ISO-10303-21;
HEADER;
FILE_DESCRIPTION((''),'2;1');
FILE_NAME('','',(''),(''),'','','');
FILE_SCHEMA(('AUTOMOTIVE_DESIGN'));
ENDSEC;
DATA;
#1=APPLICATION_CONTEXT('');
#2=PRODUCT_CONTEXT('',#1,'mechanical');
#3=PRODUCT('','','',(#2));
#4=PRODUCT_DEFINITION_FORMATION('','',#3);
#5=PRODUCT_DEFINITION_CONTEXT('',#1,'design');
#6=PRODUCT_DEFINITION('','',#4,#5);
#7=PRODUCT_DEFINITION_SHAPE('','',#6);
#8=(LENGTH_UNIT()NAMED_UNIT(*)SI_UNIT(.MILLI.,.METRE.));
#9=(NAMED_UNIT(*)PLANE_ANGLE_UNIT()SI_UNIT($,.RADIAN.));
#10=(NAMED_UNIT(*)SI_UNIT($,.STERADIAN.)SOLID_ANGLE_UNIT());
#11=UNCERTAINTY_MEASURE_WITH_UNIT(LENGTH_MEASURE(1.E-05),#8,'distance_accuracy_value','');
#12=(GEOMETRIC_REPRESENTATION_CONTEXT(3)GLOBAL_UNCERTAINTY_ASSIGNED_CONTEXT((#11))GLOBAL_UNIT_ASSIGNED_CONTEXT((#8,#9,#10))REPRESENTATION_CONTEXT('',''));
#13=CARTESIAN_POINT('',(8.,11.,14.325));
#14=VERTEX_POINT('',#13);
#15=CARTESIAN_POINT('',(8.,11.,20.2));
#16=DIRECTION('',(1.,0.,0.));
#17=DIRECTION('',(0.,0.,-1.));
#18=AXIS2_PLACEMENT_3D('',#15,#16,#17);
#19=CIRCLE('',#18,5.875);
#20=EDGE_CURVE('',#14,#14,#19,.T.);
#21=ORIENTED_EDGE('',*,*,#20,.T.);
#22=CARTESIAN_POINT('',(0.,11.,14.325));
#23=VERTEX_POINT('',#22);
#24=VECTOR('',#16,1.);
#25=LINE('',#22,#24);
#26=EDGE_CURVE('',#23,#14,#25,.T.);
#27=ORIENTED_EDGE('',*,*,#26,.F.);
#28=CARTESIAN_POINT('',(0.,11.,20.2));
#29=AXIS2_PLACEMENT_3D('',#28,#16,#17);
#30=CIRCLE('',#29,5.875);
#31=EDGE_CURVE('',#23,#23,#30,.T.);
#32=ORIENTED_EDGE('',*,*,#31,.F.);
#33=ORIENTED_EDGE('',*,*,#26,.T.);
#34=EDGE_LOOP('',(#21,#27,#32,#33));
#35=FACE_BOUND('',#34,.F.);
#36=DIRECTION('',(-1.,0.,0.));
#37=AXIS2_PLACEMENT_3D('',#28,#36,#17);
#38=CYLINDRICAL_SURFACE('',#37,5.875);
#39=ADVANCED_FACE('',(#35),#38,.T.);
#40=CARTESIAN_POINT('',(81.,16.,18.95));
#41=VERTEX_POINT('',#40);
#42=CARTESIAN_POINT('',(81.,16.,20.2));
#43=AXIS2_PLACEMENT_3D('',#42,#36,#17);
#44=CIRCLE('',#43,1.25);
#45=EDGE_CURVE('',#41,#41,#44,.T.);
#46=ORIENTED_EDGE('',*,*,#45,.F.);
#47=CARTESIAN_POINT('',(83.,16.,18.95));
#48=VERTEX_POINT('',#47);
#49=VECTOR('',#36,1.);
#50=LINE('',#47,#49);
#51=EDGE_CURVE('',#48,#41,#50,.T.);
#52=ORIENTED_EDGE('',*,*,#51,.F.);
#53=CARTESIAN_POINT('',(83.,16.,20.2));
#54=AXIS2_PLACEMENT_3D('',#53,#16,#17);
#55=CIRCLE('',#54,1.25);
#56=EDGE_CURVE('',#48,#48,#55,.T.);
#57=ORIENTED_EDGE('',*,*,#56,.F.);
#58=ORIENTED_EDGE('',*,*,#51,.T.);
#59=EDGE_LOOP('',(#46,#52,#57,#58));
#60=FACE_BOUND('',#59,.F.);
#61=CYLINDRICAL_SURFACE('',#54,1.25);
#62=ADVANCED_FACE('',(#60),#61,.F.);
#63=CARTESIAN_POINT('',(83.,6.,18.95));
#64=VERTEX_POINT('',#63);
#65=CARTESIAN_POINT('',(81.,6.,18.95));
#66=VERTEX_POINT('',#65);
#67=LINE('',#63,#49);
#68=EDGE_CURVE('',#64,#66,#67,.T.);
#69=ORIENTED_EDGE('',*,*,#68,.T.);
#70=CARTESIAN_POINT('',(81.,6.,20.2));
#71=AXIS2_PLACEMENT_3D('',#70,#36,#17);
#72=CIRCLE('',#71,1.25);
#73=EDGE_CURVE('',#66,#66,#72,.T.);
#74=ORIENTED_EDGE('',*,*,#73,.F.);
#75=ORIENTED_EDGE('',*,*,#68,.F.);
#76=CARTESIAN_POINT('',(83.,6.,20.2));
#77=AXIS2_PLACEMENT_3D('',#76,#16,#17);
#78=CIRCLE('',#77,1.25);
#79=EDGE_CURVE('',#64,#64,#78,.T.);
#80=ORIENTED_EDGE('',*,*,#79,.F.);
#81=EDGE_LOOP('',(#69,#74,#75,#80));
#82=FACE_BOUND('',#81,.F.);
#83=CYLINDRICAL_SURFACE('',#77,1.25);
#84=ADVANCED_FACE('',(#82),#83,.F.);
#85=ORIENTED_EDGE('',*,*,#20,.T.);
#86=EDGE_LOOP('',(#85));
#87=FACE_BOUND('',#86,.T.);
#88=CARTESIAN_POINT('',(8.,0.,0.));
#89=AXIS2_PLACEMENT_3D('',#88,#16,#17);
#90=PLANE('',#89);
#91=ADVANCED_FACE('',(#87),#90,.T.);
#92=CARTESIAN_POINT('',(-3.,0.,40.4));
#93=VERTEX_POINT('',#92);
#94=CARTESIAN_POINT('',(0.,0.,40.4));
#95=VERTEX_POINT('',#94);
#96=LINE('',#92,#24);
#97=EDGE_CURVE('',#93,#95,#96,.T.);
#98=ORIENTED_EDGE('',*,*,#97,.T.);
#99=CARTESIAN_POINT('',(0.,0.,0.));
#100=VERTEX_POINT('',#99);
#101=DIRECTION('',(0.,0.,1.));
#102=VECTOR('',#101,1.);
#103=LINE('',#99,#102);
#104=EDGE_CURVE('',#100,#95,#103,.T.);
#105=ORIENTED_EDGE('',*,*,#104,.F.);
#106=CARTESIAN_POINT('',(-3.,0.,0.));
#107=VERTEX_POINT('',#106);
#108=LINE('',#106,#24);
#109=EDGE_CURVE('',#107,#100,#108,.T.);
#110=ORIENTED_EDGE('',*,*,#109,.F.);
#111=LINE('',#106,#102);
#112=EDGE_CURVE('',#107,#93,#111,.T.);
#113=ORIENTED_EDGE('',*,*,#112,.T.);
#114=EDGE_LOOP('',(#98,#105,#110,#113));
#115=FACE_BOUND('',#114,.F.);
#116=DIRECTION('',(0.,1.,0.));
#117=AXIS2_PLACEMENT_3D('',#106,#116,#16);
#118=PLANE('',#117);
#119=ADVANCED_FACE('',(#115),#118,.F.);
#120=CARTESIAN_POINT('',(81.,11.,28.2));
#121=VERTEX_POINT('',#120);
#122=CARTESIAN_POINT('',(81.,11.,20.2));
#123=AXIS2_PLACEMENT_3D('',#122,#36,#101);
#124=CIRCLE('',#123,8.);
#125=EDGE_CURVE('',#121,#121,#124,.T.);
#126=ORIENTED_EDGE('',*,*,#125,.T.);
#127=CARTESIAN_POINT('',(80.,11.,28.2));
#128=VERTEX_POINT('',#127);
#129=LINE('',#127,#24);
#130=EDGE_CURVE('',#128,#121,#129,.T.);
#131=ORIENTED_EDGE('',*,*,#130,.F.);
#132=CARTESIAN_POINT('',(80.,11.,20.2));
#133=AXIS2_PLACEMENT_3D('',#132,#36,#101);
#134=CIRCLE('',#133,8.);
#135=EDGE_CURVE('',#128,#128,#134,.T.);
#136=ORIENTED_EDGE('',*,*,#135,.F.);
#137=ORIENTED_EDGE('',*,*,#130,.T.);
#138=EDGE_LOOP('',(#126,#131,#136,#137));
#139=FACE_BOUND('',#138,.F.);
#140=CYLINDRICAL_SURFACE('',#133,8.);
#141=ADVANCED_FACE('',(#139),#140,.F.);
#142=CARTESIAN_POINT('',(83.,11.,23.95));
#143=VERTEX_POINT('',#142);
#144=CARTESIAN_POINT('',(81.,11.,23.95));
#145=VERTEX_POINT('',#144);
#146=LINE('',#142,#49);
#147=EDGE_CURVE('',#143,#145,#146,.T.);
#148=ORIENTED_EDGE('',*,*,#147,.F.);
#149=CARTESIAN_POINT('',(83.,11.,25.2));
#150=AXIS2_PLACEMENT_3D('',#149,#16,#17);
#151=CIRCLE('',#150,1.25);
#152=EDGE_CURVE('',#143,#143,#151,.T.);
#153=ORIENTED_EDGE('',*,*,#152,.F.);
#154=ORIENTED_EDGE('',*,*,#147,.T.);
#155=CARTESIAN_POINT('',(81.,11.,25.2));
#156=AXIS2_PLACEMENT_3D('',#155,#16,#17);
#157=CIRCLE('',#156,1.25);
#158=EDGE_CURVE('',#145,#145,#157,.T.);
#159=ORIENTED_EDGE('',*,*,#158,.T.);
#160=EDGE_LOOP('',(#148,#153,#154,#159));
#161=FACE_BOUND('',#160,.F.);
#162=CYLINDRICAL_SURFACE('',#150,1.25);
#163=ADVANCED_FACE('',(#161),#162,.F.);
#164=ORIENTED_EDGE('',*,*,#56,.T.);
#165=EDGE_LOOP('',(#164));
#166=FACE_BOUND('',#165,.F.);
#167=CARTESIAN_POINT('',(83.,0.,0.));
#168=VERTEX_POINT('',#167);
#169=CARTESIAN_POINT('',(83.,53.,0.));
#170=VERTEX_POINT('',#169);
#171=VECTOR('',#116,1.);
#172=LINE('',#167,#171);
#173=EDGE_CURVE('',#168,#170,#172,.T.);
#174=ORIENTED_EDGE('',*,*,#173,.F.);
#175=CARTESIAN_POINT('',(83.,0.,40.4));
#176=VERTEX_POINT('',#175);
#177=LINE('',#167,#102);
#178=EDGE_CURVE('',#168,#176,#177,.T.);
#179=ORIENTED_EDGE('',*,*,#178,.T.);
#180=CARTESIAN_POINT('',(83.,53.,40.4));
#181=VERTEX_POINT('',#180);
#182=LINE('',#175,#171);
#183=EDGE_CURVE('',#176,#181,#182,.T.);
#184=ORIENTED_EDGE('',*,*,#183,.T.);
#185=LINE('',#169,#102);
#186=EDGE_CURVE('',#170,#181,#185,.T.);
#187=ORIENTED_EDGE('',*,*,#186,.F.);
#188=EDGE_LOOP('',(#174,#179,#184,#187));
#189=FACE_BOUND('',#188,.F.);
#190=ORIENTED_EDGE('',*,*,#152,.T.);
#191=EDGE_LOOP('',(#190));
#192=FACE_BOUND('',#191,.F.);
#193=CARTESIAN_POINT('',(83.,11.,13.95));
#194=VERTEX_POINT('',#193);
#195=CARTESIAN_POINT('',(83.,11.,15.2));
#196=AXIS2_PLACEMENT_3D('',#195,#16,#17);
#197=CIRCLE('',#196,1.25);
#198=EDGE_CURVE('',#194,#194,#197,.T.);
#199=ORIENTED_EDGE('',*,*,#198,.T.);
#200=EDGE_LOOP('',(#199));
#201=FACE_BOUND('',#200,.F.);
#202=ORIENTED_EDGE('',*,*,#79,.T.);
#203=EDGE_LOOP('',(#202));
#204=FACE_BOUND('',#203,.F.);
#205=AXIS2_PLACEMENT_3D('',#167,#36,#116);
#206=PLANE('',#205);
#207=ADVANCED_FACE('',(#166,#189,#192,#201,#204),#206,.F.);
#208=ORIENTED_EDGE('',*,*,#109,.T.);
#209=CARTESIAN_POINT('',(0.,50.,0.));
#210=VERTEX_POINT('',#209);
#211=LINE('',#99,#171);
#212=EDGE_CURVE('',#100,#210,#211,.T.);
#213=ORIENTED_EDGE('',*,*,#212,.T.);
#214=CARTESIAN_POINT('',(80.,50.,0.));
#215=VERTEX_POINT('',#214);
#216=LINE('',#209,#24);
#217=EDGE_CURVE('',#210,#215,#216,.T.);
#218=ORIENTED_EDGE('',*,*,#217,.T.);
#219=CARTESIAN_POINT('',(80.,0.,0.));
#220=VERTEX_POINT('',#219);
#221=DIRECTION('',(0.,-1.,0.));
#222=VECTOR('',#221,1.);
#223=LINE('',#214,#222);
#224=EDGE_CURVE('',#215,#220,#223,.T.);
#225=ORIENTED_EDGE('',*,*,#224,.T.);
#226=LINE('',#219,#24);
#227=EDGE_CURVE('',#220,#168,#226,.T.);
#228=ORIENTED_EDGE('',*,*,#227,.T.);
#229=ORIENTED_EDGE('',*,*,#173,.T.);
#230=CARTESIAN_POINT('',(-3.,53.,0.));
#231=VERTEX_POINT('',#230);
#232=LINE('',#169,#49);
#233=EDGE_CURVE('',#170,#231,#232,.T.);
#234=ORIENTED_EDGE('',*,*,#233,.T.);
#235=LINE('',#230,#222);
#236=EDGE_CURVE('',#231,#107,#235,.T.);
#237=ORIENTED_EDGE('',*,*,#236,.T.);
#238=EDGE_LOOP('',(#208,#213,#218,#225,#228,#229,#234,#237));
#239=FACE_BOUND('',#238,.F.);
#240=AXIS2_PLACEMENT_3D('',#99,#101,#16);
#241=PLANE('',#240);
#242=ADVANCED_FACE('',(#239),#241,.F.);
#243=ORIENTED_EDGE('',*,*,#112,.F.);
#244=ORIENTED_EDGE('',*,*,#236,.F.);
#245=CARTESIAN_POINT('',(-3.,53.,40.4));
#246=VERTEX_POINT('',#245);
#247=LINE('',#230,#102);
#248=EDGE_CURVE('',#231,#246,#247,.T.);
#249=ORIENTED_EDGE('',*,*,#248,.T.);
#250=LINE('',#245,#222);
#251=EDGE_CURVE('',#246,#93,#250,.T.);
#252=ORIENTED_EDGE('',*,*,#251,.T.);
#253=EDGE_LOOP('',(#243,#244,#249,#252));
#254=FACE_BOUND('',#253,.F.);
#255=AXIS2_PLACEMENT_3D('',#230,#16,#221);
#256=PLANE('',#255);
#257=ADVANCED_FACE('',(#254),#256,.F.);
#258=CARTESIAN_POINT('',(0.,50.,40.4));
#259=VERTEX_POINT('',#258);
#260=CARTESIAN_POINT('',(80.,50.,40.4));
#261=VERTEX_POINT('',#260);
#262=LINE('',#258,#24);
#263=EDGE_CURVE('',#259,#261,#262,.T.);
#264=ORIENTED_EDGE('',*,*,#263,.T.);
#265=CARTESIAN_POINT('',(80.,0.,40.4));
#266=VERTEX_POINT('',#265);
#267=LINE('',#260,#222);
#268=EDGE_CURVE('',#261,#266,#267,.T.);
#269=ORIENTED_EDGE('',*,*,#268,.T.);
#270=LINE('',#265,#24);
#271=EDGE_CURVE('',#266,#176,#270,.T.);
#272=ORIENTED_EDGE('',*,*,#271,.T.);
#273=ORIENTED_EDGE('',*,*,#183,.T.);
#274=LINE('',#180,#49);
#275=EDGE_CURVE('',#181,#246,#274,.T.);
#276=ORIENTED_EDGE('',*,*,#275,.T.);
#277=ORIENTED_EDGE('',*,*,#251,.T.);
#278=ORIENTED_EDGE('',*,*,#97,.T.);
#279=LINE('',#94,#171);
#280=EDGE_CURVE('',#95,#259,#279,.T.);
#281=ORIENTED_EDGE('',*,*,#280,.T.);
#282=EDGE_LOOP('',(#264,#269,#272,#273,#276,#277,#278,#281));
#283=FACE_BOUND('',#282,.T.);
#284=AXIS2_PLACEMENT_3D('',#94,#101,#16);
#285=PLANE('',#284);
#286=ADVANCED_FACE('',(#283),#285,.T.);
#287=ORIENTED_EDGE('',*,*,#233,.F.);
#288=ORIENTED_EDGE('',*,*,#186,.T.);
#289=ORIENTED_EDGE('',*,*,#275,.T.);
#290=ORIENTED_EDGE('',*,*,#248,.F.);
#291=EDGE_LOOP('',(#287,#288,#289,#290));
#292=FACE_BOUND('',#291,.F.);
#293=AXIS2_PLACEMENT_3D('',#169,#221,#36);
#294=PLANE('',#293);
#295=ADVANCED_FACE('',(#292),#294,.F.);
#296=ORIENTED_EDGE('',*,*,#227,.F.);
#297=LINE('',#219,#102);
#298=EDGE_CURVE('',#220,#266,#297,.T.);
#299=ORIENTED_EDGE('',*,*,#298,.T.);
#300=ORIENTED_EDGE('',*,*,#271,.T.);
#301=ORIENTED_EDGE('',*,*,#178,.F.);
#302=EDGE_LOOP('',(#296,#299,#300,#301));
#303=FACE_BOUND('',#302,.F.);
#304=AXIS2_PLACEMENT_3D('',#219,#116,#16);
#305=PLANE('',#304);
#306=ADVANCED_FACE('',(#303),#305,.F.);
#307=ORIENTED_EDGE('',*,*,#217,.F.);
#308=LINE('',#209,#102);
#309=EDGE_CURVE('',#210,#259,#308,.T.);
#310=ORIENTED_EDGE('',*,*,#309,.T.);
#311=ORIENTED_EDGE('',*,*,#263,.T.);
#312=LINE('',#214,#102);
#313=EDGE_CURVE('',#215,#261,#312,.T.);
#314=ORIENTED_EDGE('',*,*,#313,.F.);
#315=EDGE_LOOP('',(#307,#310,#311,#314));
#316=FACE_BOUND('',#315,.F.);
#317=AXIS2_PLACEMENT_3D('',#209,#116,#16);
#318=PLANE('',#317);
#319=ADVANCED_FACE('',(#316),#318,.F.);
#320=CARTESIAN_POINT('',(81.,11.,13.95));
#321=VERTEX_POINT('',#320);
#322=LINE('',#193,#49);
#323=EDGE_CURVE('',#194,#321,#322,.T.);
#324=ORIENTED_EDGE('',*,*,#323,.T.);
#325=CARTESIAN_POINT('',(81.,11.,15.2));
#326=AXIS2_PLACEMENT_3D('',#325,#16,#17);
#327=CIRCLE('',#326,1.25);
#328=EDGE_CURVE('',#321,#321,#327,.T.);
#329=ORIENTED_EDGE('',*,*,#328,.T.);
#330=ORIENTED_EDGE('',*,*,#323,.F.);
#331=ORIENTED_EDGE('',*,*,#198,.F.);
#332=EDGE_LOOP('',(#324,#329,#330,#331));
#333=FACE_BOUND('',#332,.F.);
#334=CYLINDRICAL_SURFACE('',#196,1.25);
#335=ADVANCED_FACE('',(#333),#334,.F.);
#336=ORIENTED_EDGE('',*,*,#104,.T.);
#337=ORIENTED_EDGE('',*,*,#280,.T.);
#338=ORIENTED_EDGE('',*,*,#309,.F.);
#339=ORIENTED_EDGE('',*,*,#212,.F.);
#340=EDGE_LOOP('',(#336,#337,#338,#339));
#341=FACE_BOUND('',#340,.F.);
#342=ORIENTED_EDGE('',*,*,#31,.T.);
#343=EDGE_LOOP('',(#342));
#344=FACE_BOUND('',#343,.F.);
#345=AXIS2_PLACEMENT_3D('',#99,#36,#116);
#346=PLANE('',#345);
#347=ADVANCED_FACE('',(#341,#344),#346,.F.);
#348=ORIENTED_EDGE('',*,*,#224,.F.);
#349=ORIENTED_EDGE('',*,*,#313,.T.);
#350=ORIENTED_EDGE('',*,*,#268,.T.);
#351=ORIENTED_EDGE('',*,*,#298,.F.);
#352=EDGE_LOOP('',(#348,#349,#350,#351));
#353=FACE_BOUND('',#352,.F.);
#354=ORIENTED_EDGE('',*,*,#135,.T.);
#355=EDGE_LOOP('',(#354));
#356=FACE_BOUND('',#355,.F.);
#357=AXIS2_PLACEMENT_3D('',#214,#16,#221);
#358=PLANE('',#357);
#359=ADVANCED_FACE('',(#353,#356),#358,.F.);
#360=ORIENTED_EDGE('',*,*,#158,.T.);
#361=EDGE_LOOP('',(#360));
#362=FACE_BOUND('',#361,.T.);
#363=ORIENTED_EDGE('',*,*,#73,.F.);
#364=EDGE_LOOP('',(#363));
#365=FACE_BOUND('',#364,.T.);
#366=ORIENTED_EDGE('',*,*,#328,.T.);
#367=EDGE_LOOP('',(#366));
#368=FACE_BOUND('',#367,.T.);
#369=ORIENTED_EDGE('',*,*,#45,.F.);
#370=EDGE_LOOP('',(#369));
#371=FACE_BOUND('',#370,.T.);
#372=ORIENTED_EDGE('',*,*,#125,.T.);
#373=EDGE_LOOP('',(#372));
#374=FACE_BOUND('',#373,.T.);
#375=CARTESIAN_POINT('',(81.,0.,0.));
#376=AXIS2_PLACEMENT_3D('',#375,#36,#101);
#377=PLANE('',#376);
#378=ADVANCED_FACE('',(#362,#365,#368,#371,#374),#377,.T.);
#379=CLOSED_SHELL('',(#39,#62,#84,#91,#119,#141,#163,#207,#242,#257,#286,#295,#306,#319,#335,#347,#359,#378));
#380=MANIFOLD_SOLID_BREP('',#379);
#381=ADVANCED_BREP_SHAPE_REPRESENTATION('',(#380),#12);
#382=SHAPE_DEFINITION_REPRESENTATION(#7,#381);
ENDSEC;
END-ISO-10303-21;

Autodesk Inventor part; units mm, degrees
ref_plane "YZ Plane" through (0, 0, 0) normal (1, 0, 0) x (0, 1, 0)
ref_plane "XZ Plane" through (0, 0, 0) normal (0, 1, 0) x (-1, 0, 0)
ref_plane "XY Plane" through (0, 0, 0) normal (0, 0, 1) x (1, 0, 0)
sketch "Sketch1" plane through (0, 0, 0) normal (0, 0, 1) x (1, 0, 0)
  line L0 (0, 0) -> (0, 50)
  line L1 (0, 50) -> (80, 50)
  line L2 (80, 50) -> (80, 0)
  line L3 (80, 0) -> (83, 0)
  line L4 (83, 0) -> (83, 53)
  line L5 (83, 53) -> (-3, 53)
  line L6 (-3, 53) -> (-3, 0)
  line L7 (-3, 0) -> (0, 0)
  dimension "d0" = 50
  dimension "d1" = 80
  dimension "d2" = 3
  dimension "d3" = 53
  dimension "d4" = 86
extrude "Extrusion1" add sketch "Sketch1" along normal blind 40.4
sketch "Sketch2" plane through (83, 0, 0) normal (1, 0, 0) x (0, 0, -1)
  line L0 (0, 0) -> (-40.4, 0) projected
  circle A0 centre (-20.2, 16) radius 1.25
  circle A1 centre (-25.2, 11) radius 1.25
  circle A2 centre (-20.2, 6) radius 1.25
  circle A3 centre (-15.2, 11) radius 1.25
  point P0 (-20.2, 11)
  dimension "d9" = 2.5
  dimension "d12" = 360
extrude "Extrusion2" cut sketch "Sketch2" against normal up to surface (3 mm away)
sketch "Sketch3" plane through (0, 0, 0) normal (1, 0, 0) x (0, 0, -1)
  line L0 (0, 0) -> (-40.4, 0) projected
  circle A0 centre (-20.2, 11) radius 5.875
  dimension "d17" = 11.75
extrude "Extrusion3" add sketch "Sketch3" along normal blind 8
sketch "Sketch4" plane through (80, 0, 0) normal (-1, 0, 0) x (0, 0, 1)
  circle A0 centre (20.2, 6) radius 1.25 projected
  circle A1 centre (20.2, 16) radius 1.25 projected
  circle A2 centre (20.2, 11) radius 8
  point P0 (0, 0)
  dimension "d20" = 16
extrude "Extrusion4" cut sketch "Sketch4" against normal blind 1
properties part number "Tilt_Bracket"
